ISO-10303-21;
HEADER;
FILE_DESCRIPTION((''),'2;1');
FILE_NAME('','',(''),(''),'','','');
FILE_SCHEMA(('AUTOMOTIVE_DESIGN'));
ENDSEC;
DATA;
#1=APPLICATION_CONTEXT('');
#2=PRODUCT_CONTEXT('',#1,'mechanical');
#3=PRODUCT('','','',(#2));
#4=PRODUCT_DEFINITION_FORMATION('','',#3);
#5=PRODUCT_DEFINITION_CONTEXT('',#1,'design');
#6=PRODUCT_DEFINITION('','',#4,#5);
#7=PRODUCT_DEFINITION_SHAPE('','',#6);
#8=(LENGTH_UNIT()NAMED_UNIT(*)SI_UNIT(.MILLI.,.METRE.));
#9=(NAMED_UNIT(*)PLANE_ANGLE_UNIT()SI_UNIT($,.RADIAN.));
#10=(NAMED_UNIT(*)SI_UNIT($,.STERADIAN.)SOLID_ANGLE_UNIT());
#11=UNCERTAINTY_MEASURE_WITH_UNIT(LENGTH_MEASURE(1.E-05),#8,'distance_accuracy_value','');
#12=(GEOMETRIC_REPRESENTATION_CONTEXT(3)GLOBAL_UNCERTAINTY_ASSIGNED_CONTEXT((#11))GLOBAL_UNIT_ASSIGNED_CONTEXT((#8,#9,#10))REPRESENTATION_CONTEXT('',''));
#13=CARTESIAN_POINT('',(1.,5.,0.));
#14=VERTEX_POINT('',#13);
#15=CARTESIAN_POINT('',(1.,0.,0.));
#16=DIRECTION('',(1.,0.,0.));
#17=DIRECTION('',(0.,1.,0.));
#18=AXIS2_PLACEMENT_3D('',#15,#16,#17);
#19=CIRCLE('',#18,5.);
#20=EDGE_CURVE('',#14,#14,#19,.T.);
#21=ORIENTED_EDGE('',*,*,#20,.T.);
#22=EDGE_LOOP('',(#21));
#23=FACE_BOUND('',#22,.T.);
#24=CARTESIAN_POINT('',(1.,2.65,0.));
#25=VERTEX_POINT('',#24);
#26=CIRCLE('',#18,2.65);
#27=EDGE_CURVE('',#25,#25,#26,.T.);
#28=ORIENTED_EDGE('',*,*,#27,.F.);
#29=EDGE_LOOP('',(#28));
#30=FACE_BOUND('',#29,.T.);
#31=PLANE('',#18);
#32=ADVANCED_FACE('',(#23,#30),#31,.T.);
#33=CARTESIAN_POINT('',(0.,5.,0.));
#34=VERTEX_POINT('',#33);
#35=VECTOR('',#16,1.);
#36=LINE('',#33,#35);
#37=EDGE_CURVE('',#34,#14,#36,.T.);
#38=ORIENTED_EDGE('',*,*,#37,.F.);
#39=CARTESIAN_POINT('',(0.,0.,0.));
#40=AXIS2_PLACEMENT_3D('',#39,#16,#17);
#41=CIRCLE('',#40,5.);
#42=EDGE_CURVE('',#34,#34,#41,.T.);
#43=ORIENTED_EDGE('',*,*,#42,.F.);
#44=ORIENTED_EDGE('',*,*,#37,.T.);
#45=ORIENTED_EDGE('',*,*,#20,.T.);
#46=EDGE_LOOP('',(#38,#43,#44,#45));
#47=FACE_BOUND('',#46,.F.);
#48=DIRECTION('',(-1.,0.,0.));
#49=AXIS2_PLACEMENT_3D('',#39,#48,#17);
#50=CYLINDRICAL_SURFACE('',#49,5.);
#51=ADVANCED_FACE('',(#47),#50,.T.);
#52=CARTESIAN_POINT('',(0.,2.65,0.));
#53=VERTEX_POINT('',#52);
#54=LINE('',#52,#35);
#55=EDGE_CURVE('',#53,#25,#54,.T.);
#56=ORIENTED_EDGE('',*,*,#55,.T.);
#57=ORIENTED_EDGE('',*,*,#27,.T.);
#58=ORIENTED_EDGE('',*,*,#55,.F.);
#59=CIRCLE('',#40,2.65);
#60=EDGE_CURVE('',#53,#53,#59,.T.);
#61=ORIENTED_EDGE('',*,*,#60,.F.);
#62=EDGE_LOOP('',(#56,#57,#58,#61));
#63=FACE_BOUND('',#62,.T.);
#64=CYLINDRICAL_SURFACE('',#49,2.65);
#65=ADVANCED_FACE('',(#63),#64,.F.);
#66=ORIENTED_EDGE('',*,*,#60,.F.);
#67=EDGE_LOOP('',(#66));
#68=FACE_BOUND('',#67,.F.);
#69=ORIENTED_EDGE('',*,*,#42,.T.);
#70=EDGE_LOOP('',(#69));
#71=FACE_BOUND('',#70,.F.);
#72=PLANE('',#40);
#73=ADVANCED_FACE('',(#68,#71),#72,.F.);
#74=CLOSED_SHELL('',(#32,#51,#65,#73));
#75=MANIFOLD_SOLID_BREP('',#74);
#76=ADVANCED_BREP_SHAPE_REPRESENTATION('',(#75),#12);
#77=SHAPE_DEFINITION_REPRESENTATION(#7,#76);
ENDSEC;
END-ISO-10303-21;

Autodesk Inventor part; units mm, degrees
ref_plane "YZ Plane" through (0, 0, 0) normal (1, 0, 0) x (0, 1, 0)
ref_plane "XZ Plane" through (0, 0, 0) normal (0, 1, 0) x (-1, 0, 0)
sketch "Skizze" plane through (0, 0, 0) normal (1, 0, 0) x (0, 1, 0)
  circle A0 centre (0, 0) radius 5
  circle A1 centre (0, 0) radius 2.65
  dimension "d0" = 5.3
  dimension "d1" = 10
extrude "Körper" add sketch "Skizze" along normal blind 1
ref_plane "Work Plane1" through (0, 0, 0) normal (0, 0, 1) x (1, 0, 0)
equation "\"d0\" = SD1"
equation "\"d1\" = SD2"
equation "\"d2\" = SD"
equation "\"SD1\" = 5.3"
equation "\"SD2\" = 10"
equation "\"SD\" = 1"
equation "\"NND\" = 5"
properties part number "BS 4320 - M5 (Form A)" material "Stahl, weich"
